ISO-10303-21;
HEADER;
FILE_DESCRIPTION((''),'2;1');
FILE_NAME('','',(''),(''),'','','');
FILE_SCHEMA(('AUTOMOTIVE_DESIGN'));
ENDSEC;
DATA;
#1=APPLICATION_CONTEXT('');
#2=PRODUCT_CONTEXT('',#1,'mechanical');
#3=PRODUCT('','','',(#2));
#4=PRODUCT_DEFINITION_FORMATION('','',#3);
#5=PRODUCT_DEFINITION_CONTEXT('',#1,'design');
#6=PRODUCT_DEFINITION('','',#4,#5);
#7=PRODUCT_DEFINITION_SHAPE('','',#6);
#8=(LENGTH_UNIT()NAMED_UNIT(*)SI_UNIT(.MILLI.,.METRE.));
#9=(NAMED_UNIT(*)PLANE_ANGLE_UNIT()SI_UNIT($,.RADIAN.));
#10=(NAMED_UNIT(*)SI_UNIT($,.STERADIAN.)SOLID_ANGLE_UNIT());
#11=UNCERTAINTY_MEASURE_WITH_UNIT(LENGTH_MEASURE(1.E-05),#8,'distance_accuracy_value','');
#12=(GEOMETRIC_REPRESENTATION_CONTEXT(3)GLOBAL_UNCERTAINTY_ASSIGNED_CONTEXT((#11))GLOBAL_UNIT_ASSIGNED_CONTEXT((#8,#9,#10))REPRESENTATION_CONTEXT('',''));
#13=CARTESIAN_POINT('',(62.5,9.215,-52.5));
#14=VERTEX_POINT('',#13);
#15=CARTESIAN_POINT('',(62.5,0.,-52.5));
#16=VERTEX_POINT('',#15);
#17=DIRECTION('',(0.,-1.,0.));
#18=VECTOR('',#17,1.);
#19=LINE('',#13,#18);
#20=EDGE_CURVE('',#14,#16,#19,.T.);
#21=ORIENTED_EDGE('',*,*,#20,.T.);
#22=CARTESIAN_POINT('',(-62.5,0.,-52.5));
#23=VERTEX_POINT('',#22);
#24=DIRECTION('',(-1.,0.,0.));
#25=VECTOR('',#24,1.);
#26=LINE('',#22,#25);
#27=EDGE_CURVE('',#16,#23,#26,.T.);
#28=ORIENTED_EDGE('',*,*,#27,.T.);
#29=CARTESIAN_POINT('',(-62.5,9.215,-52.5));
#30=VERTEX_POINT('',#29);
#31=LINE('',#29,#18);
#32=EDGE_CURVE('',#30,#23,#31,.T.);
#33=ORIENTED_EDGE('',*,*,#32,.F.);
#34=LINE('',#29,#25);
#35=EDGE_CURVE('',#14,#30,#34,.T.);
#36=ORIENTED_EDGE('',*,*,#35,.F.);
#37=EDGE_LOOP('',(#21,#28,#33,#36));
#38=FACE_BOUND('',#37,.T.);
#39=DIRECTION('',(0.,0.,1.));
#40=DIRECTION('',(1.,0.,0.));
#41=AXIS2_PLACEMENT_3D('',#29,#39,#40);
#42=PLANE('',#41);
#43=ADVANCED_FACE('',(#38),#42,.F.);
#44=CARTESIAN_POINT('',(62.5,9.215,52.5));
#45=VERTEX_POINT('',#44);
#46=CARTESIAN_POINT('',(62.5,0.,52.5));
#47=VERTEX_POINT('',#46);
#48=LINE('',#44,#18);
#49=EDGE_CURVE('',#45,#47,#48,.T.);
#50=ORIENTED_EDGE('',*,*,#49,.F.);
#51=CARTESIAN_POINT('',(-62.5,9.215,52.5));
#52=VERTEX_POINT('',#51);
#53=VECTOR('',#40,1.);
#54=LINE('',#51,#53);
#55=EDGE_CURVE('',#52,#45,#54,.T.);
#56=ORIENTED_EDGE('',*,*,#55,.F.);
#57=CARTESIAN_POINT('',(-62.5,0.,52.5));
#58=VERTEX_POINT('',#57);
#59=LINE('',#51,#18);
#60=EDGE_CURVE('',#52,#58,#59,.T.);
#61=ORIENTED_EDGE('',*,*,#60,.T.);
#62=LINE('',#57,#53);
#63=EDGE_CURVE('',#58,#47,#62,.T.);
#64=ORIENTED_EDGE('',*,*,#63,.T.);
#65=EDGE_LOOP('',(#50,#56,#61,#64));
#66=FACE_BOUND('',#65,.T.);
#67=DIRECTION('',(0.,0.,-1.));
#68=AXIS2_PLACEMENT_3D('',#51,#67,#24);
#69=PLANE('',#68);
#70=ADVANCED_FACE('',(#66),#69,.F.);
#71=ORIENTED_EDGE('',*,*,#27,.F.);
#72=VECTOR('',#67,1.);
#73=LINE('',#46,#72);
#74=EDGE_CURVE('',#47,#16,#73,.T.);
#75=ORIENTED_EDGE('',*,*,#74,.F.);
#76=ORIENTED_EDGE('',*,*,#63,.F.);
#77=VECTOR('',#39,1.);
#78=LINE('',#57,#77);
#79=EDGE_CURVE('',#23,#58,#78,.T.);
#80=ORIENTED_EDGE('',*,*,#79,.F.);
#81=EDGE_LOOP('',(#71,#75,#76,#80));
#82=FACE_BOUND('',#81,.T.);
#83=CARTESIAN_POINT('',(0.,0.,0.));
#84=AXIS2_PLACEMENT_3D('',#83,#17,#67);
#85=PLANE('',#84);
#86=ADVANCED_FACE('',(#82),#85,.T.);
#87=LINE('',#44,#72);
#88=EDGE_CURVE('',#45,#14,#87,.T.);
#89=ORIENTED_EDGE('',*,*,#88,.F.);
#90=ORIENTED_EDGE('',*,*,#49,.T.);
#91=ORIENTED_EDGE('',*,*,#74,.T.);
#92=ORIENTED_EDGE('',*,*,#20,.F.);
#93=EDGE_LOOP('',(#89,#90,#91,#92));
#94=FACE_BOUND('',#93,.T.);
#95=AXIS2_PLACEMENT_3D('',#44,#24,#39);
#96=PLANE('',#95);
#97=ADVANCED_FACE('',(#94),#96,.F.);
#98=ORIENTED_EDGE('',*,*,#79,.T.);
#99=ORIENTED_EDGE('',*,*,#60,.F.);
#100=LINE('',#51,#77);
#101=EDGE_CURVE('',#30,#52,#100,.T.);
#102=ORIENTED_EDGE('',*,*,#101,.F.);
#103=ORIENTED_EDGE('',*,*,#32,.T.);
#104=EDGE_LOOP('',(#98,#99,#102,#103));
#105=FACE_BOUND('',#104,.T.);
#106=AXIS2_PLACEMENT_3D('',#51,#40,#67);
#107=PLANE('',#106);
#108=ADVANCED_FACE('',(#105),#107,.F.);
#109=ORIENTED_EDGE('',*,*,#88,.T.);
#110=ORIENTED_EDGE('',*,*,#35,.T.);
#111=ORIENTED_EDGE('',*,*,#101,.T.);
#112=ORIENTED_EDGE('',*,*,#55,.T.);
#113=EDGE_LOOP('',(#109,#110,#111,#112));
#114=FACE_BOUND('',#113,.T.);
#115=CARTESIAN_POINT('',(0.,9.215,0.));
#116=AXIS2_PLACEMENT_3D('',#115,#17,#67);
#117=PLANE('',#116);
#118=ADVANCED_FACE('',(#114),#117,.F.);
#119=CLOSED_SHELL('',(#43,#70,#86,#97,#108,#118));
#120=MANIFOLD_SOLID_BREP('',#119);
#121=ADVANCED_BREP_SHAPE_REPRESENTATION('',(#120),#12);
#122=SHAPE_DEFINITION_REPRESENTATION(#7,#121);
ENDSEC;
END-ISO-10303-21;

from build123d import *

# Parameters (mm, degrees)
SKETCH1_W               = 125
SKETCH1_H               = 105
TEST_BASE_POSTION_DEPTH = 9.215


with BuildPart() as part:
    # Sketch1 → Test_Base_Postion (new body)
    with BuildSketch(Plane(origin=(0, 0, 0), x_dir=(1, 0, 0), z_dir=(0, 1, 0))):
        Rectangle(SKETCH1_W, SKETCH1_H)
    extrude(amount=TEST_BASE_POSTION_DEPTH)


solid = part.part
